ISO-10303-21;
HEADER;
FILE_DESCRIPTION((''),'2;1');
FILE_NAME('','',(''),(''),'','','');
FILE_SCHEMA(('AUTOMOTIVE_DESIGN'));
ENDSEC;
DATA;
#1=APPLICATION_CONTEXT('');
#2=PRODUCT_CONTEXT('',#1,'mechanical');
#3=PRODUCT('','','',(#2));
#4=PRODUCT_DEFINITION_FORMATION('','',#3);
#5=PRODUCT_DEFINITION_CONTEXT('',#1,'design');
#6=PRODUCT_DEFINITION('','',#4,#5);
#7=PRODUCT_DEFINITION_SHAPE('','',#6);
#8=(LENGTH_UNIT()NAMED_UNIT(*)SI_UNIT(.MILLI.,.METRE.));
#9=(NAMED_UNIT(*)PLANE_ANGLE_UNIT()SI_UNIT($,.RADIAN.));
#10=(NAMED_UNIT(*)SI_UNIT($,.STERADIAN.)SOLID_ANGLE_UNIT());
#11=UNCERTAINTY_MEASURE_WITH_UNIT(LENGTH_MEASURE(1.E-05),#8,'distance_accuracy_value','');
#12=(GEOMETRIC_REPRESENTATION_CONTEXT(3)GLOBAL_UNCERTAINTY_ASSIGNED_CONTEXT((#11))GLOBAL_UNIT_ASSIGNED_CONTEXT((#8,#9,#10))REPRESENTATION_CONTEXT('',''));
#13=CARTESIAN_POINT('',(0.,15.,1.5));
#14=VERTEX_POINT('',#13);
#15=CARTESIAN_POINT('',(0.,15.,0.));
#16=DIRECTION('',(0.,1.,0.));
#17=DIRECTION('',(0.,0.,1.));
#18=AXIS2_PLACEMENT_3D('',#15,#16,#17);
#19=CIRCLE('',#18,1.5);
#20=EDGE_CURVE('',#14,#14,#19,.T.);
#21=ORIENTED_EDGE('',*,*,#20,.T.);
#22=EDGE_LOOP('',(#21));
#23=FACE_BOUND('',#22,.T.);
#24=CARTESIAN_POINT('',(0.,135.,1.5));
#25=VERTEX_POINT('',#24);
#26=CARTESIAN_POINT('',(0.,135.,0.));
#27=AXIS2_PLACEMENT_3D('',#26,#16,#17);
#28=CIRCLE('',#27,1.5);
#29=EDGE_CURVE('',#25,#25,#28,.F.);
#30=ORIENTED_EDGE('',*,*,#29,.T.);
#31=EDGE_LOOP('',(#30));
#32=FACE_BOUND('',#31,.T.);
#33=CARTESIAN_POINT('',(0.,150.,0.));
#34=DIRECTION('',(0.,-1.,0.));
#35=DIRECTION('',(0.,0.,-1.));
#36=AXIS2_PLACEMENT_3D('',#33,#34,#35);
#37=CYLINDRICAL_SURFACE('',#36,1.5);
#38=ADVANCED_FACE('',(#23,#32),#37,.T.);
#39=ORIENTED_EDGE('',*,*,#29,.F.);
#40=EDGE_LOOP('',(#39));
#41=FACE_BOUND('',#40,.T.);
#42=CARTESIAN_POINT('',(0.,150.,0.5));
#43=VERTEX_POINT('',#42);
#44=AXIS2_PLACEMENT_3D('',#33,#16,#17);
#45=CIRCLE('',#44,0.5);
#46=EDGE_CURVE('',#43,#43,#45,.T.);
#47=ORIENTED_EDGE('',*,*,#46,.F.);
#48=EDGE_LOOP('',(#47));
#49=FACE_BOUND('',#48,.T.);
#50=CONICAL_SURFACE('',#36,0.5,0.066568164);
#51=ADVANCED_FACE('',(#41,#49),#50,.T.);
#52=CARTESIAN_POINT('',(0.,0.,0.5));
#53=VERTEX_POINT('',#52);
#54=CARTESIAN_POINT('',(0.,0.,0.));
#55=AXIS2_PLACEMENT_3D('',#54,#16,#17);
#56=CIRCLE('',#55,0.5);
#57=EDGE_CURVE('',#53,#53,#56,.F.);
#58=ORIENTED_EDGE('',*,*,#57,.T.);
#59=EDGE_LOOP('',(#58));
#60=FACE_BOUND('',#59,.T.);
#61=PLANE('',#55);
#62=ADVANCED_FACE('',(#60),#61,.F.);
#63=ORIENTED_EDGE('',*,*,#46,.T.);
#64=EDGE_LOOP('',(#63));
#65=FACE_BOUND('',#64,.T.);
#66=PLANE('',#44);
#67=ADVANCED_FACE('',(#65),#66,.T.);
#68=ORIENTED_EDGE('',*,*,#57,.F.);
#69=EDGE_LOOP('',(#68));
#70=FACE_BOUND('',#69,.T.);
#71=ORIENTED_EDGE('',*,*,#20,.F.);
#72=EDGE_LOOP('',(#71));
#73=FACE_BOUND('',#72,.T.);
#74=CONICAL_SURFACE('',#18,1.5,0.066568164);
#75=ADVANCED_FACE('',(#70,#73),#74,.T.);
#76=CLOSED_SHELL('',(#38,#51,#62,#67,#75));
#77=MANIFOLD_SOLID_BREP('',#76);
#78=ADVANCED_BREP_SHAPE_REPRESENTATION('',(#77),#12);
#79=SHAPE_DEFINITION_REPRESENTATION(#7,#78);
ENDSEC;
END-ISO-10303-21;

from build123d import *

# Parameters (mm, degrees)
ESQUISSE1_R             = 1.5
BOSS_EXTRU_1_DEPTH      = 150
CHANFREIN1_SIZE         = 1
CHANFREIN1_SIZE2        = 15
CHANFREIN1_PART_2_SIZE  = 1
CHANFREIN1_PART_2_SIZE2 = 15


with BuildPart() as part:
    # Esquisse1 → Boss.-Extru.1 (new body)
    with BuildSketch(Plane(origin=(0, 0, 0), x_dir=(1, 0, 0), z_dir=(0, 1, 0))):
        Circle(ESQUISSE1_R)
    extrude(amount=BOSS_EXTRU_1_DEPTH)

    # Chanfrein1
    chanfrein1_edges = [part.edges().sort_by_distance(p)[0] for p in [
        (-1.5, 0, 0),
    ]]
    chanfrein1_side = [part.faces().sort_by_distance(p)[0] for p in [
        (0, 0, 0),
    ]]
    chamfer(chanfrein1_edges, length=CHANFREIN1_SIZE, length2=CHANFREIN1_SIZE2, reference=chanfrein1_side[0])

    # Chanfrein1 part 2
    chanfrein1_part_2_edges = [part.edges().sort_by_distance(p)[0] for p in [
        (-1.5, 150, 0),
    ]]
    chanfrein1_part_2_side = [part.faces().sort_by_distance(p)[0] for p in [
        (0, 150, 0),
    ]]
    chamfer(chanfrein1_part_2_edges, length=CHANFREIN1_PART_2_SIZE, length2=CHANFREIN1_PART_2_SIZE2, reference=chanfrein1_part_2_side[0])


solid = part.part
